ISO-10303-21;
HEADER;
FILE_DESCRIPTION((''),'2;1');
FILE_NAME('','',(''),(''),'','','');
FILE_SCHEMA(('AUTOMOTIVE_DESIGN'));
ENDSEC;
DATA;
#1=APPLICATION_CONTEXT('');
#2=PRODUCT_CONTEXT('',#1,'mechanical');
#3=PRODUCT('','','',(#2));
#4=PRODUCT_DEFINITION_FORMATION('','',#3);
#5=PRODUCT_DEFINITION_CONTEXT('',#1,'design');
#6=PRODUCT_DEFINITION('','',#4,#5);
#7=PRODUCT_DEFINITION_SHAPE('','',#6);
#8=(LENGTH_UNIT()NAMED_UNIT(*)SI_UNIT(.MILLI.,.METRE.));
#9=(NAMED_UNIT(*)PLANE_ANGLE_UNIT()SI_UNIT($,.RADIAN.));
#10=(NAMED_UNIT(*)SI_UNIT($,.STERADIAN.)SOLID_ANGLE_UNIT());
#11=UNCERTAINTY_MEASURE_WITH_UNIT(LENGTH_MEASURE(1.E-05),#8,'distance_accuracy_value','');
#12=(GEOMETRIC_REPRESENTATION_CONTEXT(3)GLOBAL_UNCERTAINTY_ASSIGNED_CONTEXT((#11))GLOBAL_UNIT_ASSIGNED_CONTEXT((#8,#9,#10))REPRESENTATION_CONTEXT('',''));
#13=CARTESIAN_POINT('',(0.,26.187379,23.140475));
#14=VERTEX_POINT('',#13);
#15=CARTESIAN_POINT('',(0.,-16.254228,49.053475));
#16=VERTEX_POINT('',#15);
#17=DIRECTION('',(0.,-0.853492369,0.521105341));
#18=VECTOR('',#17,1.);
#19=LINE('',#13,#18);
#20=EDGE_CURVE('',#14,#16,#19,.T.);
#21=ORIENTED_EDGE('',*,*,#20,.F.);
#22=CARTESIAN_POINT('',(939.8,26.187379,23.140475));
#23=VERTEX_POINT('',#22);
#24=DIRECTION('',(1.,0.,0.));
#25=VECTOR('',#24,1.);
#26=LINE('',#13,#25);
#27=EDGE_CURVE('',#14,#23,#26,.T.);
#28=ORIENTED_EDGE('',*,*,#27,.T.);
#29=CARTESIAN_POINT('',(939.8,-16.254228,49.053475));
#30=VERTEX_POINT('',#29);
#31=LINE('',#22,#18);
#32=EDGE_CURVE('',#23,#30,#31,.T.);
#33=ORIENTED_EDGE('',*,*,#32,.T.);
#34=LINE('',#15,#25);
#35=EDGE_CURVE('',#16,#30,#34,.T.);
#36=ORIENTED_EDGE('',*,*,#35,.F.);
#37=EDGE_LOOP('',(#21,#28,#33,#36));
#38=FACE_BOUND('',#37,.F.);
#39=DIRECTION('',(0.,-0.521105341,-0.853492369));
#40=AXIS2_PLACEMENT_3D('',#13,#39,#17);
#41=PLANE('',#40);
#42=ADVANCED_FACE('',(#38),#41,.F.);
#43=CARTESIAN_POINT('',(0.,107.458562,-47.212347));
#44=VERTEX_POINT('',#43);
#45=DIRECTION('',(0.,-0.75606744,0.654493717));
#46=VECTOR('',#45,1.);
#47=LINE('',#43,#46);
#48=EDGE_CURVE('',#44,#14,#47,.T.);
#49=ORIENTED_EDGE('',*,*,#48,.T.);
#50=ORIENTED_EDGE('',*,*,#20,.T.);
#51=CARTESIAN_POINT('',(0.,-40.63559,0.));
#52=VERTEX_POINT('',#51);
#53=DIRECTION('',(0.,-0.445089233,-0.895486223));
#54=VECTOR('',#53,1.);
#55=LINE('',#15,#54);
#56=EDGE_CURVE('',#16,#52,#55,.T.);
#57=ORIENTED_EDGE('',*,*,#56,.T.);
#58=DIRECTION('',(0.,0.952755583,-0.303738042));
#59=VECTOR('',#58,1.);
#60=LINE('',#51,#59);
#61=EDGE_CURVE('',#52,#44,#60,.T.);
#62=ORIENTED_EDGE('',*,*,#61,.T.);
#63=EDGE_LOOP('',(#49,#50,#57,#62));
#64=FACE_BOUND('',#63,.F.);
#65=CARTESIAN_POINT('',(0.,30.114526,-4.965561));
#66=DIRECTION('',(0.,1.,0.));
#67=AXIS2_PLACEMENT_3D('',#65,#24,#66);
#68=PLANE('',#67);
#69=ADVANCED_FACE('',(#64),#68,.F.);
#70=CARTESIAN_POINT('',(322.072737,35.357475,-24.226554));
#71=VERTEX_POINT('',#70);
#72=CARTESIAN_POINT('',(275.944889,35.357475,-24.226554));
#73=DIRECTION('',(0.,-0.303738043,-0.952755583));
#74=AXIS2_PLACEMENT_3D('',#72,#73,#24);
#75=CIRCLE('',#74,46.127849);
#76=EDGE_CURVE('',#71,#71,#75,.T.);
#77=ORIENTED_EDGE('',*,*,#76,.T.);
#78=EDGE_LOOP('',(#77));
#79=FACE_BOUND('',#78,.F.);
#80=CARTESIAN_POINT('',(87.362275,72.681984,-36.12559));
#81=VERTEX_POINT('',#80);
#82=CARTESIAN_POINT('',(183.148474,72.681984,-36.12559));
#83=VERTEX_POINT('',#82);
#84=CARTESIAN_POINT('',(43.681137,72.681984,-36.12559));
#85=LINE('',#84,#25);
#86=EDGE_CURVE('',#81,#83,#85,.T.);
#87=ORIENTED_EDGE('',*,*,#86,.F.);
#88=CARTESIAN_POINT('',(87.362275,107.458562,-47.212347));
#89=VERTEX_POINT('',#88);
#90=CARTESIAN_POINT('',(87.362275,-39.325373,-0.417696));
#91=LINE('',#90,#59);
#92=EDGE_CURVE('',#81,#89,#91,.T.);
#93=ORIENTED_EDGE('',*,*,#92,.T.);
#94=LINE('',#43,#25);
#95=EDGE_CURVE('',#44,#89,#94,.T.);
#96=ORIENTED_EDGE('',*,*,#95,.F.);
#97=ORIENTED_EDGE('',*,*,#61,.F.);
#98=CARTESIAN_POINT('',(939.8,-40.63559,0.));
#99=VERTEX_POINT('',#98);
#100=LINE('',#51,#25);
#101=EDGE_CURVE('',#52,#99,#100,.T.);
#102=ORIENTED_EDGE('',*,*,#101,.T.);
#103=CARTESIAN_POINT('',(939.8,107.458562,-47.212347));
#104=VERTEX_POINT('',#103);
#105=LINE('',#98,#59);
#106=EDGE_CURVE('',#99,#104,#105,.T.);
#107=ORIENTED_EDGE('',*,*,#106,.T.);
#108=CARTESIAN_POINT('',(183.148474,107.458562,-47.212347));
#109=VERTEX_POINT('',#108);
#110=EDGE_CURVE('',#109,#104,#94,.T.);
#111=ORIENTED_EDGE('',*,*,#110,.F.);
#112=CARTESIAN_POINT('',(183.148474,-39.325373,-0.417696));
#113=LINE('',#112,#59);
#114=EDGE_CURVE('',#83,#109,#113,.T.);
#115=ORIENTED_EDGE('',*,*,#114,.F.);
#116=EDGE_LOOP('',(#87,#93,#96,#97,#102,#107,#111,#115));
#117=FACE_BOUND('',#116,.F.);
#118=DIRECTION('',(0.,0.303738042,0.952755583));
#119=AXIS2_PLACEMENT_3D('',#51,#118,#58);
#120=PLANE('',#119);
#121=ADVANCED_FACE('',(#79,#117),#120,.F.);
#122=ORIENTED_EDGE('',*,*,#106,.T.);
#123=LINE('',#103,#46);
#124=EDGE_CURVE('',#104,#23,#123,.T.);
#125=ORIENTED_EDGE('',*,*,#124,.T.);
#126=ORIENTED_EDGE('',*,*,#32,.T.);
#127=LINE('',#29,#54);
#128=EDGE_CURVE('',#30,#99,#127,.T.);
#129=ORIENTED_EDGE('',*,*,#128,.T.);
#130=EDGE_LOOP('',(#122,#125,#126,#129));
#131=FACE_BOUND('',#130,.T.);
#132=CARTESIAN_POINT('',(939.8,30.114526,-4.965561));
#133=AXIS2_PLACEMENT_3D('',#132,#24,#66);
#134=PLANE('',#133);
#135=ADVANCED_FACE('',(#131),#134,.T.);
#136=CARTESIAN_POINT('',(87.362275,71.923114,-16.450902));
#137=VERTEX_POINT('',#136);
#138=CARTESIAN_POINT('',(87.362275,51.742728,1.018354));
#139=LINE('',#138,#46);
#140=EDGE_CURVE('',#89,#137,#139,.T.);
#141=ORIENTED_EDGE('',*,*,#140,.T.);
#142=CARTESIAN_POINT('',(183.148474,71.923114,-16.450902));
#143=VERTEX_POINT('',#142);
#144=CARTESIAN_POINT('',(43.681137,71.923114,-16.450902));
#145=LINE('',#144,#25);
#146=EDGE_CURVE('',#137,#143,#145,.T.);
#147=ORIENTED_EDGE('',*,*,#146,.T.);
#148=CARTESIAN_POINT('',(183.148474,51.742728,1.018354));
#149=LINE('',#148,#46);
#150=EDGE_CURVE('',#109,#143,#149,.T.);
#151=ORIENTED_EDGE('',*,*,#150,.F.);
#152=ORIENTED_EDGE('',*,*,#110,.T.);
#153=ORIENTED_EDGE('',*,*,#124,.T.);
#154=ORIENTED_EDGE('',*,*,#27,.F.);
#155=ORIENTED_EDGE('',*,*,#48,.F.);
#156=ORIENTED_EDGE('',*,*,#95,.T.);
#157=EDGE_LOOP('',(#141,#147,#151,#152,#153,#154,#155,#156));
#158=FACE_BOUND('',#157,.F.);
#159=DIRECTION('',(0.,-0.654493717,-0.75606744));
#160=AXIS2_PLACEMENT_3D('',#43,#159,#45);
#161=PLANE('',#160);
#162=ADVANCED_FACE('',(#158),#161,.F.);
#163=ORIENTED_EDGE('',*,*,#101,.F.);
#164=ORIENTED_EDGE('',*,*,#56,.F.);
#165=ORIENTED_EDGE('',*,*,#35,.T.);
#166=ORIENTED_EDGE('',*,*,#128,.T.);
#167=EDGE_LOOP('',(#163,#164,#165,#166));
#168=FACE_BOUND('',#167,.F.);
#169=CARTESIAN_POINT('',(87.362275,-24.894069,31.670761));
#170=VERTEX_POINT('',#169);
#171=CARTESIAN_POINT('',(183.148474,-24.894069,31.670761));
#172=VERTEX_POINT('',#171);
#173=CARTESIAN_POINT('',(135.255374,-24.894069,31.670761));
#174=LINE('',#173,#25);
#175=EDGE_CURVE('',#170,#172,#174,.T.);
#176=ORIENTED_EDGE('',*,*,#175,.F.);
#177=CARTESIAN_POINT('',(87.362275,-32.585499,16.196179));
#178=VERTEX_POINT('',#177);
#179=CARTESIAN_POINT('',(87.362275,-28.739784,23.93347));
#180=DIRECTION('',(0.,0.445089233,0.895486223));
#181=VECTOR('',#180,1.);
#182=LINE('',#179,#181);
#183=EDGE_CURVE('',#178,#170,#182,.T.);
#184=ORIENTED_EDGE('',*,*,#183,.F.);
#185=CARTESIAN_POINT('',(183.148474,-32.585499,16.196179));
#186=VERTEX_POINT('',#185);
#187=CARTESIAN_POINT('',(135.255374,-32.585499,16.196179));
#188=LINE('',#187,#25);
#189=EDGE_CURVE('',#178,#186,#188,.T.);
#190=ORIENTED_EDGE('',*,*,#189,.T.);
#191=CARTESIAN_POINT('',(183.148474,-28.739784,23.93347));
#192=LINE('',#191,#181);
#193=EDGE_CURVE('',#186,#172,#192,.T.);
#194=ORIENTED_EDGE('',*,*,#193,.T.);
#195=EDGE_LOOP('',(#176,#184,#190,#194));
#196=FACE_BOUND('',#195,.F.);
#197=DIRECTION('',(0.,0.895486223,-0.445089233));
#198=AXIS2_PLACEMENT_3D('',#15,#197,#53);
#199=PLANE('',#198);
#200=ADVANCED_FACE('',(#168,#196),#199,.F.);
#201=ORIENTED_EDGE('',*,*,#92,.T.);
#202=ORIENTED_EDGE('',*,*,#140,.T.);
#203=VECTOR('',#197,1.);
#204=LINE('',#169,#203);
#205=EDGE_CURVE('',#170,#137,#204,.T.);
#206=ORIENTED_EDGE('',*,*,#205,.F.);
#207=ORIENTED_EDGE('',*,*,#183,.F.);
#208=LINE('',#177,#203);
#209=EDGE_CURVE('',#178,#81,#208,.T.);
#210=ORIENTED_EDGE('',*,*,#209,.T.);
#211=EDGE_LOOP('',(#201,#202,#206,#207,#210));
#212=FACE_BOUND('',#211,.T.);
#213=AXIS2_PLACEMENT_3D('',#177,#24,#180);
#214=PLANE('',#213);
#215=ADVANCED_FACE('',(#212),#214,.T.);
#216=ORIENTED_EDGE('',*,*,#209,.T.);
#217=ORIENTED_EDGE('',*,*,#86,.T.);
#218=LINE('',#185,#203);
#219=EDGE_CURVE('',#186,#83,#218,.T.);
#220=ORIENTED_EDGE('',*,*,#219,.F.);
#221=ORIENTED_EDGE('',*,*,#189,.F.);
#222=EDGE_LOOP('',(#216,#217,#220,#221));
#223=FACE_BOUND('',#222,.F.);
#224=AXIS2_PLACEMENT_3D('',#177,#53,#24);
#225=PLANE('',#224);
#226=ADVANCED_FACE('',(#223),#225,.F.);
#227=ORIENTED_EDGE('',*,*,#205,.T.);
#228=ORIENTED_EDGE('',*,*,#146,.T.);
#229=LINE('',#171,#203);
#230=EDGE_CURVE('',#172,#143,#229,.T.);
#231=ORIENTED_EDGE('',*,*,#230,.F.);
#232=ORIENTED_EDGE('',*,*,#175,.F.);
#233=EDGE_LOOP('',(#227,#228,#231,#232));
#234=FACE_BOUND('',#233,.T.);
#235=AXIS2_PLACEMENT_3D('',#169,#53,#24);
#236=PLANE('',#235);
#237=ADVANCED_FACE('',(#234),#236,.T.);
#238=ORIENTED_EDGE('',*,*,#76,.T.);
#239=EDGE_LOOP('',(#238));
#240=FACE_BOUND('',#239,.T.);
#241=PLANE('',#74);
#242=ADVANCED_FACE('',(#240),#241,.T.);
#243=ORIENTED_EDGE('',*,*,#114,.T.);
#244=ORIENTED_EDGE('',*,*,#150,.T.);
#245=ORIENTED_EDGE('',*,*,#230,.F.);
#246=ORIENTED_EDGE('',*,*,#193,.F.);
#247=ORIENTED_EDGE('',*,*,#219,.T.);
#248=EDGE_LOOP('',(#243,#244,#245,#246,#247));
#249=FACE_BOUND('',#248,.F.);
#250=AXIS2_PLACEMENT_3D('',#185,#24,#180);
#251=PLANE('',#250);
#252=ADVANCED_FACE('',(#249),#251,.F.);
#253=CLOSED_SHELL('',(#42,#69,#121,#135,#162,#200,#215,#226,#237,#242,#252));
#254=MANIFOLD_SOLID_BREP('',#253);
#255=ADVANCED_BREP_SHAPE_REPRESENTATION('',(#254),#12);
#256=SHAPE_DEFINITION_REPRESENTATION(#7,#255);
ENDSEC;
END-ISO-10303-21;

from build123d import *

# Parameters (mm, degrees)
F1_DEPTH = 939.8
F2_W     = 95.7861989737
F2_H     = 17.2806475312
F3_DEPTH = 153.6309794951
F4_R     = 46.1278485026
F5_DEPTH = 44.9828275762


with BuildPart() as f1:
    # F0 (on Right) → F1 (new body)
    with BuildSketch(Plane.YZ):
        Polygon((-16.2542276084, 49.0534752607), (-40.6355895102, 0), (107.4585616589, -47.2123473883), (26.1873789132, 23.1404751539), align=None)
    extrude(amount=F1_DEPTH)

    # F2 (on face) → F3 (cut, through all)
    with BuildSketch(Plane(origin=(0, -32.5854994089, 16.1961787542), x_dir=(1, 0, 0), z_dir=(0, -0.8954862226, 0.4450892328))):
        with Locations((135.2553740144, 8.6403237656)):
            Rectangle(F2_W, F2_H)
    extrude(amount=-F3_DEPTH, mode=Mode.SUBTRACT)

    # F4 (on face) → F5 (cut, through all)
    with BuildSketch(Plane(origin=(0, -3.7489093909, -11.7594566838), x_dir=(1, 0, 0), z_dir=(0, -0.3037380425, -0.9527555833))):
        with Locations((275.9448885918, -41.0455577075)):
            Circle(F4_R)
    extrude(amount=F5_DEPTH, mode=Mode.SUBTRACT)


solid = f1.part
